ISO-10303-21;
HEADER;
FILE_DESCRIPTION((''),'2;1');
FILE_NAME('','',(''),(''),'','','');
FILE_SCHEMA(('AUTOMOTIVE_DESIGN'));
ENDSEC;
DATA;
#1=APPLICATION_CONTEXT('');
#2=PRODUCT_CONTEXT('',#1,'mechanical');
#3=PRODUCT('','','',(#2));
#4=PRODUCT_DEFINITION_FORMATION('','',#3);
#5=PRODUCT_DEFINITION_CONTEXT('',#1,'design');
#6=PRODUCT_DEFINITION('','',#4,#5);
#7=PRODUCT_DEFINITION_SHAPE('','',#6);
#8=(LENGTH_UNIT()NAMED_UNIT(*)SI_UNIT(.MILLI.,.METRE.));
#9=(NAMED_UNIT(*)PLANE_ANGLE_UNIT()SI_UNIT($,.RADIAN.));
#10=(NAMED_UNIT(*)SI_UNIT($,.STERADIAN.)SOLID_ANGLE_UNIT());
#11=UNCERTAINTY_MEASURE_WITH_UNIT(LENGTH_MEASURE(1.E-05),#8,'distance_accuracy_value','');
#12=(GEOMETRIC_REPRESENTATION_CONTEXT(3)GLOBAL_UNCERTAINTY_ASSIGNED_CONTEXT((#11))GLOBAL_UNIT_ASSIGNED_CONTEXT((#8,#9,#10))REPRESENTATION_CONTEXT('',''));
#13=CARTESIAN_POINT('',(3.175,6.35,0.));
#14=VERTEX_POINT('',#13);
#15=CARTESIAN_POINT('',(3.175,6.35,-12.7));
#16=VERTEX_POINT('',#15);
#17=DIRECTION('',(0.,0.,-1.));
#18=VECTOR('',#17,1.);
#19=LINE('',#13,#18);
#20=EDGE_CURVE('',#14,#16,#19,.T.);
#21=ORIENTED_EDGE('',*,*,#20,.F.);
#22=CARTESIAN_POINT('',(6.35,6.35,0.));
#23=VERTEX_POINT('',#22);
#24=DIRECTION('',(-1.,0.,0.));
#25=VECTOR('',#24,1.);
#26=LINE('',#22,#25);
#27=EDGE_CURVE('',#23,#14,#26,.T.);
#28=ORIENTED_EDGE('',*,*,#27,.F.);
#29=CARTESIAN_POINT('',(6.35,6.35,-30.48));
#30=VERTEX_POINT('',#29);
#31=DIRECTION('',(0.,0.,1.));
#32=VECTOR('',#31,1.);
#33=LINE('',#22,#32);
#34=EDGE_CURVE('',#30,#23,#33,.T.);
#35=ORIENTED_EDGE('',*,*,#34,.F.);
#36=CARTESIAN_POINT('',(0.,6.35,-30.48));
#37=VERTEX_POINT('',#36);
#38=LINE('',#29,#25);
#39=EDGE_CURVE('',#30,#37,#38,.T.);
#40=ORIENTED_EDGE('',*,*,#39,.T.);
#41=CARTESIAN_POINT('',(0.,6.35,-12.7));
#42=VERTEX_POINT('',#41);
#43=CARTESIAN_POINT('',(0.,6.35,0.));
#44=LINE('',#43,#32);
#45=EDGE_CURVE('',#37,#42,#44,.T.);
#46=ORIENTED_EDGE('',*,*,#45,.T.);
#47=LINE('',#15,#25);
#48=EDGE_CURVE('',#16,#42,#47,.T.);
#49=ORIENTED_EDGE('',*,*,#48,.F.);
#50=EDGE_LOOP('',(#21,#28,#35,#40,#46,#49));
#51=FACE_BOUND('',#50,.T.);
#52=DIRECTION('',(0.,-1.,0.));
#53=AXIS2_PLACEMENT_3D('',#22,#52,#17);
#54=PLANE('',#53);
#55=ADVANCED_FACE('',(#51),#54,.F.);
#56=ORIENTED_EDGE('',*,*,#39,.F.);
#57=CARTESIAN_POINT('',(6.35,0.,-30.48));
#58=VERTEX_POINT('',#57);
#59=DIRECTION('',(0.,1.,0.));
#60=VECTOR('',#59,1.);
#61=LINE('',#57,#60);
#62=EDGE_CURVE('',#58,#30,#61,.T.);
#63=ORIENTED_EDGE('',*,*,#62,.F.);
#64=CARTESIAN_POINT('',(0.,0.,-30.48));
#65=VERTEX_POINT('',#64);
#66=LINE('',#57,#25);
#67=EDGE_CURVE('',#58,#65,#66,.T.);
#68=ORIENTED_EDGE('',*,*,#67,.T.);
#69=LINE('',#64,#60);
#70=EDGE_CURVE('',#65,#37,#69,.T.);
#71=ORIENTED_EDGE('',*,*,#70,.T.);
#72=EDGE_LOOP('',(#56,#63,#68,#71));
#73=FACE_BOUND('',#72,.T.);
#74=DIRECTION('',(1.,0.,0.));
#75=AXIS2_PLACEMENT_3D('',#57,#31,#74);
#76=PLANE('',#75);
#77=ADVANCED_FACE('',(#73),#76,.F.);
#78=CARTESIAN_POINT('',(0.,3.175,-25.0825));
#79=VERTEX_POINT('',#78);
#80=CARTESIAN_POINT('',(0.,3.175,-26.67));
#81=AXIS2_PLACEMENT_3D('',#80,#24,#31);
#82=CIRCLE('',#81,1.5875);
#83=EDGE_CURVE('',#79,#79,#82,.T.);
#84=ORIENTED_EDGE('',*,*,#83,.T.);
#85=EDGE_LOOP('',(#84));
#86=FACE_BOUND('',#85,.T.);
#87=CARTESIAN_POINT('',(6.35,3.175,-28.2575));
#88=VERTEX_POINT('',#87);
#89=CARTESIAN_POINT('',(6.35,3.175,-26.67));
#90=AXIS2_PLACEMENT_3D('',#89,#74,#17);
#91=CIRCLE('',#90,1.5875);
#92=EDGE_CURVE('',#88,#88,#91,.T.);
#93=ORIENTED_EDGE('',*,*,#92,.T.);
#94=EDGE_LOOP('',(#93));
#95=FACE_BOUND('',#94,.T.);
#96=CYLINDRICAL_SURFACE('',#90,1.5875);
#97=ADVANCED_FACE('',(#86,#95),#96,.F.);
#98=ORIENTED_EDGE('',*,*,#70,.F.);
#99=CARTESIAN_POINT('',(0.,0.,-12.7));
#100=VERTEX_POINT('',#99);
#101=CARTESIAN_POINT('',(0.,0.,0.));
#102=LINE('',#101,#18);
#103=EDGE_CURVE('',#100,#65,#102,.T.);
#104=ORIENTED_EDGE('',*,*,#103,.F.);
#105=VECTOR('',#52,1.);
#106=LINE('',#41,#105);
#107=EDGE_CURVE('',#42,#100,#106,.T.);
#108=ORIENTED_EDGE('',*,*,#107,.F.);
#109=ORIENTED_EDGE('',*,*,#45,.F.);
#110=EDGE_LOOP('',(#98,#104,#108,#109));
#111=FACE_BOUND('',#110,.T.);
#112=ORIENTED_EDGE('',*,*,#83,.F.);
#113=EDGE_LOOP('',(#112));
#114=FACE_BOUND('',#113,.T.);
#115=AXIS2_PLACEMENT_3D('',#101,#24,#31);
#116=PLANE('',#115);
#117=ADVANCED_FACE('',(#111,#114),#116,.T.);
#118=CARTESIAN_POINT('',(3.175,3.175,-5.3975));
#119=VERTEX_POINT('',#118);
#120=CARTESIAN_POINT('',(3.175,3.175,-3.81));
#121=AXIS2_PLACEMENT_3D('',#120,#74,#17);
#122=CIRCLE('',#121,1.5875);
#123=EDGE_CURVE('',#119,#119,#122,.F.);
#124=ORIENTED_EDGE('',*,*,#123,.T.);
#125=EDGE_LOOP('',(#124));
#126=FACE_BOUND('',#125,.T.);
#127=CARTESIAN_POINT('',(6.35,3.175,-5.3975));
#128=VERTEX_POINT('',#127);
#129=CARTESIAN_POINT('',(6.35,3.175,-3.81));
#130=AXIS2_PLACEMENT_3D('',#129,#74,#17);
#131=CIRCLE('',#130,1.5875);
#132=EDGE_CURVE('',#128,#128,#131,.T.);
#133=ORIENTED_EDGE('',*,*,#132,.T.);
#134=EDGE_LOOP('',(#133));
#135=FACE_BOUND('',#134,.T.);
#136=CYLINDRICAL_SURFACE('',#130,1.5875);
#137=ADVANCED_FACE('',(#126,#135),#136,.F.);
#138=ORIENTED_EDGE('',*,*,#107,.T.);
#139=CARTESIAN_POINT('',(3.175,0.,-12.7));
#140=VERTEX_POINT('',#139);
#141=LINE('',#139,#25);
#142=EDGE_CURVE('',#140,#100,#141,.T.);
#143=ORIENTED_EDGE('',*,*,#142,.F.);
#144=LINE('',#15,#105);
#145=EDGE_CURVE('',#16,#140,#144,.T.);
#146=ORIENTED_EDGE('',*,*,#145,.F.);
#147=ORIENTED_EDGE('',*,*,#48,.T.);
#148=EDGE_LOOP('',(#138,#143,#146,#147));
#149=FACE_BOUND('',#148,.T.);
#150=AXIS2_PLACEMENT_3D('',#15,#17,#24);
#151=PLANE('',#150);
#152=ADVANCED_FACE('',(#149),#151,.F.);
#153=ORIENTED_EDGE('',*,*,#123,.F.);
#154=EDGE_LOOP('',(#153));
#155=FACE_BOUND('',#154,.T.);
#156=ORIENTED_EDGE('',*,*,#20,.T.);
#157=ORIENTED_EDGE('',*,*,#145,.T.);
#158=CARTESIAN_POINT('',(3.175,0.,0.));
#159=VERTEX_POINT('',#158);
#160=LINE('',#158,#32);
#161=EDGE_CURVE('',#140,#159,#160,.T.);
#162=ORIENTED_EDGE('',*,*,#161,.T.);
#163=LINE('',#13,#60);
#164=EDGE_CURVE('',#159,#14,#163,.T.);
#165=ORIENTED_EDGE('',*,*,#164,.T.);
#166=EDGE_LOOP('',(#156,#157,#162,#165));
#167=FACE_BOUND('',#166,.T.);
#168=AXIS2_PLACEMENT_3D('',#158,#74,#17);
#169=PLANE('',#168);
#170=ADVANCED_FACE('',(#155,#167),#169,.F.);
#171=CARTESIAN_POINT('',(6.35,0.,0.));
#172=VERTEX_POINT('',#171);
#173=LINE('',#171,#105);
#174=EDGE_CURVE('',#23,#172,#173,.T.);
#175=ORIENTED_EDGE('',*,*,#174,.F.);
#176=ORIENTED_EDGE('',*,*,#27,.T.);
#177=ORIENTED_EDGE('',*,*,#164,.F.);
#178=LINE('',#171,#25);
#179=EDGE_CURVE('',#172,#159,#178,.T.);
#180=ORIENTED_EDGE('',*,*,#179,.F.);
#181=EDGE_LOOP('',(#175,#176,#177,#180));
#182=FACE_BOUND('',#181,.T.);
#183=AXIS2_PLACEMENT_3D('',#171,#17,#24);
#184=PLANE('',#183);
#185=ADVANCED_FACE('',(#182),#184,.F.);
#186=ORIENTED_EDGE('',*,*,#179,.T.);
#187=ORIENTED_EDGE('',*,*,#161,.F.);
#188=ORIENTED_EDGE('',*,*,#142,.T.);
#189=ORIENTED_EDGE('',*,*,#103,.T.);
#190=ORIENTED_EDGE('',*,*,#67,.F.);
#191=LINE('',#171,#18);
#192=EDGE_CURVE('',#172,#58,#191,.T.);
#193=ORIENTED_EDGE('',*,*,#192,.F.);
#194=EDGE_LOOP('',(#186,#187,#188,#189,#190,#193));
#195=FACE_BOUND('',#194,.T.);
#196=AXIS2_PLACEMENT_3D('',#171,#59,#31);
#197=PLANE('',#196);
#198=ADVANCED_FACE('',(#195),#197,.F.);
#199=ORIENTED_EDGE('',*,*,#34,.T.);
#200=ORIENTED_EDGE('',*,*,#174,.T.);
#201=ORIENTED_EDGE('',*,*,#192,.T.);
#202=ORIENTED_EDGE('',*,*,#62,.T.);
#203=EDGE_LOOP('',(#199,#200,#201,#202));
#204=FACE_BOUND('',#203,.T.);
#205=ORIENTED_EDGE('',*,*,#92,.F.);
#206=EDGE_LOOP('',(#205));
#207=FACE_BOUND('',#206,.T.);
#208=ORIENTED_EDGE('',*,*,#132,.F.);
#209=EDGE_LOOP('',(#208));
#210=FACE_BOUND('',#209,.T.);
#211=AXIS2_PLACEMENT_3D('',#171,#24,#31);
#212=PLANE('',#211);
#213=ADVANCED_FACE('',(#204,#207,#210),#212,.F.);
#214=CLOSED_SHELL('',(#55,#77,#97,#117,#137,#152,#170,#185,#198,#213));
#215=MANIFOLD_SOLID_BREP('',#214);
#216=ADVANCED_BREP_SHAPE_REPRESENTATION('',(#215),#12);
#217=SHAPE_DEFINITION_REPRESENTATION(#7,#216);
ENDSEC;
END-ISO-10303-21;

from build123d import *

# Parameters (mm, degrees)
SKETCH1_W                        = 30.48
SKETCH1_H                        = 6.35
BOSS_EXTRUDE1_DEPTH              = 6.35
F_1_8_0_125_DIAMETER_HOLE1_D     = 3.175
F_1_8_0_125_DIAMETER_HOLE1_DEPTH = 70.104
F_1_8_0_125_DIAMETER_HOLE1_TIP   = 0.953866233
SKETCH4_W                        = 12.7
SKETCH4_H                        = 6.35
CUT_EXTRUDE1_DEPTH               = 3.175
F_1_8_0_125_DIAMETER_HOLE2_D     = 3.175
F_1_8_0_125_DIAMETER_HOLE2_DEPTH = 70.104
F_1_8_0_125_DIAMETER_HOLE2_TIP   = 0.953866233


with BuildPart() as part:
    # Sketch1 → Boss-Extrude1 (new body)
    with BuildSketch(Plane(origin=(0, 0, 0), x_dir=(0, 0, -1), z_dir=(1, 0, 0))):
        with Locations((15.24, 3.175)):
            Rectangle(SKETCH1_W, SKETCH1_H)
    extrude(amount=BOSS_EXTRUDE1_DEPTH)

    # 1/8 (0.125) Diameter Hole1
    with Locations(Plane(origin=(6.35, 0, 0), x_dir=(0, 0, -1), z_dir=(1, 0, 0))):
        with Locations((3.81, 3.175)):
            Hole(F_1_8_0_125_DIAMETER_HOLE1_D / 2, depth=F_1_8_0_125_DIAMETER_HOLE1_DEPTH)
            with Locations((0, 0, -(F_1_8_0_125_DIAMETER_HOLE1_DEPTH + F_1_8_0_125_DIAMETER_HOLE1_TIP / 2))):  # 118° drill point
                Cone(0, F_1_8_0_125_DIAMETER_HOLE1_D / 2, F_1_8_0_125_DIAMETER_HOLE1_TIP, mode=Mode.SUBTRACT)

    # Sketch4 → Cut-Extrude1 (cut)
    with BuildSketch(Plane.ZY):
        with Locations((-6.35, 3.175)):
            Rectangle(SKETCH4_W, SKETCH4_H)
    extrude(amount=-CUT_EXTRUDE1_DEPTH, mode=Mode.SUBTRACT)

    # 1/8 (0.125) Diameter Hole2
    with Locations(Plane(origin=(6.35, 0, 0), x_dir=(0, 0, -1), z_dir=(1, 0, 0))):
        with Locations((26.67, 3.175), (33.02, 3.175)):
            Hole(F_1_8_0_125_DIAMETER_HOLE2_D / 2, depth=F_1_8_0_125_DIAMETER_HOLE2_DEPTH)
            with Locations((0, 0, -(F_1_8_0_125_DIAMETER_HOLE2_DEPTH + F_1_8_0_125_DIAMETER_HOLE2_TIP / 2))):  # 118° drill point
                Cone(0, F_1_8_0_125_DIAMETER_HOLE2_D / 2, F_1_8_0_125_DIAMETER_HOLE2_TIP, mode=Mode.SUBTRACT)


solid = part.part
